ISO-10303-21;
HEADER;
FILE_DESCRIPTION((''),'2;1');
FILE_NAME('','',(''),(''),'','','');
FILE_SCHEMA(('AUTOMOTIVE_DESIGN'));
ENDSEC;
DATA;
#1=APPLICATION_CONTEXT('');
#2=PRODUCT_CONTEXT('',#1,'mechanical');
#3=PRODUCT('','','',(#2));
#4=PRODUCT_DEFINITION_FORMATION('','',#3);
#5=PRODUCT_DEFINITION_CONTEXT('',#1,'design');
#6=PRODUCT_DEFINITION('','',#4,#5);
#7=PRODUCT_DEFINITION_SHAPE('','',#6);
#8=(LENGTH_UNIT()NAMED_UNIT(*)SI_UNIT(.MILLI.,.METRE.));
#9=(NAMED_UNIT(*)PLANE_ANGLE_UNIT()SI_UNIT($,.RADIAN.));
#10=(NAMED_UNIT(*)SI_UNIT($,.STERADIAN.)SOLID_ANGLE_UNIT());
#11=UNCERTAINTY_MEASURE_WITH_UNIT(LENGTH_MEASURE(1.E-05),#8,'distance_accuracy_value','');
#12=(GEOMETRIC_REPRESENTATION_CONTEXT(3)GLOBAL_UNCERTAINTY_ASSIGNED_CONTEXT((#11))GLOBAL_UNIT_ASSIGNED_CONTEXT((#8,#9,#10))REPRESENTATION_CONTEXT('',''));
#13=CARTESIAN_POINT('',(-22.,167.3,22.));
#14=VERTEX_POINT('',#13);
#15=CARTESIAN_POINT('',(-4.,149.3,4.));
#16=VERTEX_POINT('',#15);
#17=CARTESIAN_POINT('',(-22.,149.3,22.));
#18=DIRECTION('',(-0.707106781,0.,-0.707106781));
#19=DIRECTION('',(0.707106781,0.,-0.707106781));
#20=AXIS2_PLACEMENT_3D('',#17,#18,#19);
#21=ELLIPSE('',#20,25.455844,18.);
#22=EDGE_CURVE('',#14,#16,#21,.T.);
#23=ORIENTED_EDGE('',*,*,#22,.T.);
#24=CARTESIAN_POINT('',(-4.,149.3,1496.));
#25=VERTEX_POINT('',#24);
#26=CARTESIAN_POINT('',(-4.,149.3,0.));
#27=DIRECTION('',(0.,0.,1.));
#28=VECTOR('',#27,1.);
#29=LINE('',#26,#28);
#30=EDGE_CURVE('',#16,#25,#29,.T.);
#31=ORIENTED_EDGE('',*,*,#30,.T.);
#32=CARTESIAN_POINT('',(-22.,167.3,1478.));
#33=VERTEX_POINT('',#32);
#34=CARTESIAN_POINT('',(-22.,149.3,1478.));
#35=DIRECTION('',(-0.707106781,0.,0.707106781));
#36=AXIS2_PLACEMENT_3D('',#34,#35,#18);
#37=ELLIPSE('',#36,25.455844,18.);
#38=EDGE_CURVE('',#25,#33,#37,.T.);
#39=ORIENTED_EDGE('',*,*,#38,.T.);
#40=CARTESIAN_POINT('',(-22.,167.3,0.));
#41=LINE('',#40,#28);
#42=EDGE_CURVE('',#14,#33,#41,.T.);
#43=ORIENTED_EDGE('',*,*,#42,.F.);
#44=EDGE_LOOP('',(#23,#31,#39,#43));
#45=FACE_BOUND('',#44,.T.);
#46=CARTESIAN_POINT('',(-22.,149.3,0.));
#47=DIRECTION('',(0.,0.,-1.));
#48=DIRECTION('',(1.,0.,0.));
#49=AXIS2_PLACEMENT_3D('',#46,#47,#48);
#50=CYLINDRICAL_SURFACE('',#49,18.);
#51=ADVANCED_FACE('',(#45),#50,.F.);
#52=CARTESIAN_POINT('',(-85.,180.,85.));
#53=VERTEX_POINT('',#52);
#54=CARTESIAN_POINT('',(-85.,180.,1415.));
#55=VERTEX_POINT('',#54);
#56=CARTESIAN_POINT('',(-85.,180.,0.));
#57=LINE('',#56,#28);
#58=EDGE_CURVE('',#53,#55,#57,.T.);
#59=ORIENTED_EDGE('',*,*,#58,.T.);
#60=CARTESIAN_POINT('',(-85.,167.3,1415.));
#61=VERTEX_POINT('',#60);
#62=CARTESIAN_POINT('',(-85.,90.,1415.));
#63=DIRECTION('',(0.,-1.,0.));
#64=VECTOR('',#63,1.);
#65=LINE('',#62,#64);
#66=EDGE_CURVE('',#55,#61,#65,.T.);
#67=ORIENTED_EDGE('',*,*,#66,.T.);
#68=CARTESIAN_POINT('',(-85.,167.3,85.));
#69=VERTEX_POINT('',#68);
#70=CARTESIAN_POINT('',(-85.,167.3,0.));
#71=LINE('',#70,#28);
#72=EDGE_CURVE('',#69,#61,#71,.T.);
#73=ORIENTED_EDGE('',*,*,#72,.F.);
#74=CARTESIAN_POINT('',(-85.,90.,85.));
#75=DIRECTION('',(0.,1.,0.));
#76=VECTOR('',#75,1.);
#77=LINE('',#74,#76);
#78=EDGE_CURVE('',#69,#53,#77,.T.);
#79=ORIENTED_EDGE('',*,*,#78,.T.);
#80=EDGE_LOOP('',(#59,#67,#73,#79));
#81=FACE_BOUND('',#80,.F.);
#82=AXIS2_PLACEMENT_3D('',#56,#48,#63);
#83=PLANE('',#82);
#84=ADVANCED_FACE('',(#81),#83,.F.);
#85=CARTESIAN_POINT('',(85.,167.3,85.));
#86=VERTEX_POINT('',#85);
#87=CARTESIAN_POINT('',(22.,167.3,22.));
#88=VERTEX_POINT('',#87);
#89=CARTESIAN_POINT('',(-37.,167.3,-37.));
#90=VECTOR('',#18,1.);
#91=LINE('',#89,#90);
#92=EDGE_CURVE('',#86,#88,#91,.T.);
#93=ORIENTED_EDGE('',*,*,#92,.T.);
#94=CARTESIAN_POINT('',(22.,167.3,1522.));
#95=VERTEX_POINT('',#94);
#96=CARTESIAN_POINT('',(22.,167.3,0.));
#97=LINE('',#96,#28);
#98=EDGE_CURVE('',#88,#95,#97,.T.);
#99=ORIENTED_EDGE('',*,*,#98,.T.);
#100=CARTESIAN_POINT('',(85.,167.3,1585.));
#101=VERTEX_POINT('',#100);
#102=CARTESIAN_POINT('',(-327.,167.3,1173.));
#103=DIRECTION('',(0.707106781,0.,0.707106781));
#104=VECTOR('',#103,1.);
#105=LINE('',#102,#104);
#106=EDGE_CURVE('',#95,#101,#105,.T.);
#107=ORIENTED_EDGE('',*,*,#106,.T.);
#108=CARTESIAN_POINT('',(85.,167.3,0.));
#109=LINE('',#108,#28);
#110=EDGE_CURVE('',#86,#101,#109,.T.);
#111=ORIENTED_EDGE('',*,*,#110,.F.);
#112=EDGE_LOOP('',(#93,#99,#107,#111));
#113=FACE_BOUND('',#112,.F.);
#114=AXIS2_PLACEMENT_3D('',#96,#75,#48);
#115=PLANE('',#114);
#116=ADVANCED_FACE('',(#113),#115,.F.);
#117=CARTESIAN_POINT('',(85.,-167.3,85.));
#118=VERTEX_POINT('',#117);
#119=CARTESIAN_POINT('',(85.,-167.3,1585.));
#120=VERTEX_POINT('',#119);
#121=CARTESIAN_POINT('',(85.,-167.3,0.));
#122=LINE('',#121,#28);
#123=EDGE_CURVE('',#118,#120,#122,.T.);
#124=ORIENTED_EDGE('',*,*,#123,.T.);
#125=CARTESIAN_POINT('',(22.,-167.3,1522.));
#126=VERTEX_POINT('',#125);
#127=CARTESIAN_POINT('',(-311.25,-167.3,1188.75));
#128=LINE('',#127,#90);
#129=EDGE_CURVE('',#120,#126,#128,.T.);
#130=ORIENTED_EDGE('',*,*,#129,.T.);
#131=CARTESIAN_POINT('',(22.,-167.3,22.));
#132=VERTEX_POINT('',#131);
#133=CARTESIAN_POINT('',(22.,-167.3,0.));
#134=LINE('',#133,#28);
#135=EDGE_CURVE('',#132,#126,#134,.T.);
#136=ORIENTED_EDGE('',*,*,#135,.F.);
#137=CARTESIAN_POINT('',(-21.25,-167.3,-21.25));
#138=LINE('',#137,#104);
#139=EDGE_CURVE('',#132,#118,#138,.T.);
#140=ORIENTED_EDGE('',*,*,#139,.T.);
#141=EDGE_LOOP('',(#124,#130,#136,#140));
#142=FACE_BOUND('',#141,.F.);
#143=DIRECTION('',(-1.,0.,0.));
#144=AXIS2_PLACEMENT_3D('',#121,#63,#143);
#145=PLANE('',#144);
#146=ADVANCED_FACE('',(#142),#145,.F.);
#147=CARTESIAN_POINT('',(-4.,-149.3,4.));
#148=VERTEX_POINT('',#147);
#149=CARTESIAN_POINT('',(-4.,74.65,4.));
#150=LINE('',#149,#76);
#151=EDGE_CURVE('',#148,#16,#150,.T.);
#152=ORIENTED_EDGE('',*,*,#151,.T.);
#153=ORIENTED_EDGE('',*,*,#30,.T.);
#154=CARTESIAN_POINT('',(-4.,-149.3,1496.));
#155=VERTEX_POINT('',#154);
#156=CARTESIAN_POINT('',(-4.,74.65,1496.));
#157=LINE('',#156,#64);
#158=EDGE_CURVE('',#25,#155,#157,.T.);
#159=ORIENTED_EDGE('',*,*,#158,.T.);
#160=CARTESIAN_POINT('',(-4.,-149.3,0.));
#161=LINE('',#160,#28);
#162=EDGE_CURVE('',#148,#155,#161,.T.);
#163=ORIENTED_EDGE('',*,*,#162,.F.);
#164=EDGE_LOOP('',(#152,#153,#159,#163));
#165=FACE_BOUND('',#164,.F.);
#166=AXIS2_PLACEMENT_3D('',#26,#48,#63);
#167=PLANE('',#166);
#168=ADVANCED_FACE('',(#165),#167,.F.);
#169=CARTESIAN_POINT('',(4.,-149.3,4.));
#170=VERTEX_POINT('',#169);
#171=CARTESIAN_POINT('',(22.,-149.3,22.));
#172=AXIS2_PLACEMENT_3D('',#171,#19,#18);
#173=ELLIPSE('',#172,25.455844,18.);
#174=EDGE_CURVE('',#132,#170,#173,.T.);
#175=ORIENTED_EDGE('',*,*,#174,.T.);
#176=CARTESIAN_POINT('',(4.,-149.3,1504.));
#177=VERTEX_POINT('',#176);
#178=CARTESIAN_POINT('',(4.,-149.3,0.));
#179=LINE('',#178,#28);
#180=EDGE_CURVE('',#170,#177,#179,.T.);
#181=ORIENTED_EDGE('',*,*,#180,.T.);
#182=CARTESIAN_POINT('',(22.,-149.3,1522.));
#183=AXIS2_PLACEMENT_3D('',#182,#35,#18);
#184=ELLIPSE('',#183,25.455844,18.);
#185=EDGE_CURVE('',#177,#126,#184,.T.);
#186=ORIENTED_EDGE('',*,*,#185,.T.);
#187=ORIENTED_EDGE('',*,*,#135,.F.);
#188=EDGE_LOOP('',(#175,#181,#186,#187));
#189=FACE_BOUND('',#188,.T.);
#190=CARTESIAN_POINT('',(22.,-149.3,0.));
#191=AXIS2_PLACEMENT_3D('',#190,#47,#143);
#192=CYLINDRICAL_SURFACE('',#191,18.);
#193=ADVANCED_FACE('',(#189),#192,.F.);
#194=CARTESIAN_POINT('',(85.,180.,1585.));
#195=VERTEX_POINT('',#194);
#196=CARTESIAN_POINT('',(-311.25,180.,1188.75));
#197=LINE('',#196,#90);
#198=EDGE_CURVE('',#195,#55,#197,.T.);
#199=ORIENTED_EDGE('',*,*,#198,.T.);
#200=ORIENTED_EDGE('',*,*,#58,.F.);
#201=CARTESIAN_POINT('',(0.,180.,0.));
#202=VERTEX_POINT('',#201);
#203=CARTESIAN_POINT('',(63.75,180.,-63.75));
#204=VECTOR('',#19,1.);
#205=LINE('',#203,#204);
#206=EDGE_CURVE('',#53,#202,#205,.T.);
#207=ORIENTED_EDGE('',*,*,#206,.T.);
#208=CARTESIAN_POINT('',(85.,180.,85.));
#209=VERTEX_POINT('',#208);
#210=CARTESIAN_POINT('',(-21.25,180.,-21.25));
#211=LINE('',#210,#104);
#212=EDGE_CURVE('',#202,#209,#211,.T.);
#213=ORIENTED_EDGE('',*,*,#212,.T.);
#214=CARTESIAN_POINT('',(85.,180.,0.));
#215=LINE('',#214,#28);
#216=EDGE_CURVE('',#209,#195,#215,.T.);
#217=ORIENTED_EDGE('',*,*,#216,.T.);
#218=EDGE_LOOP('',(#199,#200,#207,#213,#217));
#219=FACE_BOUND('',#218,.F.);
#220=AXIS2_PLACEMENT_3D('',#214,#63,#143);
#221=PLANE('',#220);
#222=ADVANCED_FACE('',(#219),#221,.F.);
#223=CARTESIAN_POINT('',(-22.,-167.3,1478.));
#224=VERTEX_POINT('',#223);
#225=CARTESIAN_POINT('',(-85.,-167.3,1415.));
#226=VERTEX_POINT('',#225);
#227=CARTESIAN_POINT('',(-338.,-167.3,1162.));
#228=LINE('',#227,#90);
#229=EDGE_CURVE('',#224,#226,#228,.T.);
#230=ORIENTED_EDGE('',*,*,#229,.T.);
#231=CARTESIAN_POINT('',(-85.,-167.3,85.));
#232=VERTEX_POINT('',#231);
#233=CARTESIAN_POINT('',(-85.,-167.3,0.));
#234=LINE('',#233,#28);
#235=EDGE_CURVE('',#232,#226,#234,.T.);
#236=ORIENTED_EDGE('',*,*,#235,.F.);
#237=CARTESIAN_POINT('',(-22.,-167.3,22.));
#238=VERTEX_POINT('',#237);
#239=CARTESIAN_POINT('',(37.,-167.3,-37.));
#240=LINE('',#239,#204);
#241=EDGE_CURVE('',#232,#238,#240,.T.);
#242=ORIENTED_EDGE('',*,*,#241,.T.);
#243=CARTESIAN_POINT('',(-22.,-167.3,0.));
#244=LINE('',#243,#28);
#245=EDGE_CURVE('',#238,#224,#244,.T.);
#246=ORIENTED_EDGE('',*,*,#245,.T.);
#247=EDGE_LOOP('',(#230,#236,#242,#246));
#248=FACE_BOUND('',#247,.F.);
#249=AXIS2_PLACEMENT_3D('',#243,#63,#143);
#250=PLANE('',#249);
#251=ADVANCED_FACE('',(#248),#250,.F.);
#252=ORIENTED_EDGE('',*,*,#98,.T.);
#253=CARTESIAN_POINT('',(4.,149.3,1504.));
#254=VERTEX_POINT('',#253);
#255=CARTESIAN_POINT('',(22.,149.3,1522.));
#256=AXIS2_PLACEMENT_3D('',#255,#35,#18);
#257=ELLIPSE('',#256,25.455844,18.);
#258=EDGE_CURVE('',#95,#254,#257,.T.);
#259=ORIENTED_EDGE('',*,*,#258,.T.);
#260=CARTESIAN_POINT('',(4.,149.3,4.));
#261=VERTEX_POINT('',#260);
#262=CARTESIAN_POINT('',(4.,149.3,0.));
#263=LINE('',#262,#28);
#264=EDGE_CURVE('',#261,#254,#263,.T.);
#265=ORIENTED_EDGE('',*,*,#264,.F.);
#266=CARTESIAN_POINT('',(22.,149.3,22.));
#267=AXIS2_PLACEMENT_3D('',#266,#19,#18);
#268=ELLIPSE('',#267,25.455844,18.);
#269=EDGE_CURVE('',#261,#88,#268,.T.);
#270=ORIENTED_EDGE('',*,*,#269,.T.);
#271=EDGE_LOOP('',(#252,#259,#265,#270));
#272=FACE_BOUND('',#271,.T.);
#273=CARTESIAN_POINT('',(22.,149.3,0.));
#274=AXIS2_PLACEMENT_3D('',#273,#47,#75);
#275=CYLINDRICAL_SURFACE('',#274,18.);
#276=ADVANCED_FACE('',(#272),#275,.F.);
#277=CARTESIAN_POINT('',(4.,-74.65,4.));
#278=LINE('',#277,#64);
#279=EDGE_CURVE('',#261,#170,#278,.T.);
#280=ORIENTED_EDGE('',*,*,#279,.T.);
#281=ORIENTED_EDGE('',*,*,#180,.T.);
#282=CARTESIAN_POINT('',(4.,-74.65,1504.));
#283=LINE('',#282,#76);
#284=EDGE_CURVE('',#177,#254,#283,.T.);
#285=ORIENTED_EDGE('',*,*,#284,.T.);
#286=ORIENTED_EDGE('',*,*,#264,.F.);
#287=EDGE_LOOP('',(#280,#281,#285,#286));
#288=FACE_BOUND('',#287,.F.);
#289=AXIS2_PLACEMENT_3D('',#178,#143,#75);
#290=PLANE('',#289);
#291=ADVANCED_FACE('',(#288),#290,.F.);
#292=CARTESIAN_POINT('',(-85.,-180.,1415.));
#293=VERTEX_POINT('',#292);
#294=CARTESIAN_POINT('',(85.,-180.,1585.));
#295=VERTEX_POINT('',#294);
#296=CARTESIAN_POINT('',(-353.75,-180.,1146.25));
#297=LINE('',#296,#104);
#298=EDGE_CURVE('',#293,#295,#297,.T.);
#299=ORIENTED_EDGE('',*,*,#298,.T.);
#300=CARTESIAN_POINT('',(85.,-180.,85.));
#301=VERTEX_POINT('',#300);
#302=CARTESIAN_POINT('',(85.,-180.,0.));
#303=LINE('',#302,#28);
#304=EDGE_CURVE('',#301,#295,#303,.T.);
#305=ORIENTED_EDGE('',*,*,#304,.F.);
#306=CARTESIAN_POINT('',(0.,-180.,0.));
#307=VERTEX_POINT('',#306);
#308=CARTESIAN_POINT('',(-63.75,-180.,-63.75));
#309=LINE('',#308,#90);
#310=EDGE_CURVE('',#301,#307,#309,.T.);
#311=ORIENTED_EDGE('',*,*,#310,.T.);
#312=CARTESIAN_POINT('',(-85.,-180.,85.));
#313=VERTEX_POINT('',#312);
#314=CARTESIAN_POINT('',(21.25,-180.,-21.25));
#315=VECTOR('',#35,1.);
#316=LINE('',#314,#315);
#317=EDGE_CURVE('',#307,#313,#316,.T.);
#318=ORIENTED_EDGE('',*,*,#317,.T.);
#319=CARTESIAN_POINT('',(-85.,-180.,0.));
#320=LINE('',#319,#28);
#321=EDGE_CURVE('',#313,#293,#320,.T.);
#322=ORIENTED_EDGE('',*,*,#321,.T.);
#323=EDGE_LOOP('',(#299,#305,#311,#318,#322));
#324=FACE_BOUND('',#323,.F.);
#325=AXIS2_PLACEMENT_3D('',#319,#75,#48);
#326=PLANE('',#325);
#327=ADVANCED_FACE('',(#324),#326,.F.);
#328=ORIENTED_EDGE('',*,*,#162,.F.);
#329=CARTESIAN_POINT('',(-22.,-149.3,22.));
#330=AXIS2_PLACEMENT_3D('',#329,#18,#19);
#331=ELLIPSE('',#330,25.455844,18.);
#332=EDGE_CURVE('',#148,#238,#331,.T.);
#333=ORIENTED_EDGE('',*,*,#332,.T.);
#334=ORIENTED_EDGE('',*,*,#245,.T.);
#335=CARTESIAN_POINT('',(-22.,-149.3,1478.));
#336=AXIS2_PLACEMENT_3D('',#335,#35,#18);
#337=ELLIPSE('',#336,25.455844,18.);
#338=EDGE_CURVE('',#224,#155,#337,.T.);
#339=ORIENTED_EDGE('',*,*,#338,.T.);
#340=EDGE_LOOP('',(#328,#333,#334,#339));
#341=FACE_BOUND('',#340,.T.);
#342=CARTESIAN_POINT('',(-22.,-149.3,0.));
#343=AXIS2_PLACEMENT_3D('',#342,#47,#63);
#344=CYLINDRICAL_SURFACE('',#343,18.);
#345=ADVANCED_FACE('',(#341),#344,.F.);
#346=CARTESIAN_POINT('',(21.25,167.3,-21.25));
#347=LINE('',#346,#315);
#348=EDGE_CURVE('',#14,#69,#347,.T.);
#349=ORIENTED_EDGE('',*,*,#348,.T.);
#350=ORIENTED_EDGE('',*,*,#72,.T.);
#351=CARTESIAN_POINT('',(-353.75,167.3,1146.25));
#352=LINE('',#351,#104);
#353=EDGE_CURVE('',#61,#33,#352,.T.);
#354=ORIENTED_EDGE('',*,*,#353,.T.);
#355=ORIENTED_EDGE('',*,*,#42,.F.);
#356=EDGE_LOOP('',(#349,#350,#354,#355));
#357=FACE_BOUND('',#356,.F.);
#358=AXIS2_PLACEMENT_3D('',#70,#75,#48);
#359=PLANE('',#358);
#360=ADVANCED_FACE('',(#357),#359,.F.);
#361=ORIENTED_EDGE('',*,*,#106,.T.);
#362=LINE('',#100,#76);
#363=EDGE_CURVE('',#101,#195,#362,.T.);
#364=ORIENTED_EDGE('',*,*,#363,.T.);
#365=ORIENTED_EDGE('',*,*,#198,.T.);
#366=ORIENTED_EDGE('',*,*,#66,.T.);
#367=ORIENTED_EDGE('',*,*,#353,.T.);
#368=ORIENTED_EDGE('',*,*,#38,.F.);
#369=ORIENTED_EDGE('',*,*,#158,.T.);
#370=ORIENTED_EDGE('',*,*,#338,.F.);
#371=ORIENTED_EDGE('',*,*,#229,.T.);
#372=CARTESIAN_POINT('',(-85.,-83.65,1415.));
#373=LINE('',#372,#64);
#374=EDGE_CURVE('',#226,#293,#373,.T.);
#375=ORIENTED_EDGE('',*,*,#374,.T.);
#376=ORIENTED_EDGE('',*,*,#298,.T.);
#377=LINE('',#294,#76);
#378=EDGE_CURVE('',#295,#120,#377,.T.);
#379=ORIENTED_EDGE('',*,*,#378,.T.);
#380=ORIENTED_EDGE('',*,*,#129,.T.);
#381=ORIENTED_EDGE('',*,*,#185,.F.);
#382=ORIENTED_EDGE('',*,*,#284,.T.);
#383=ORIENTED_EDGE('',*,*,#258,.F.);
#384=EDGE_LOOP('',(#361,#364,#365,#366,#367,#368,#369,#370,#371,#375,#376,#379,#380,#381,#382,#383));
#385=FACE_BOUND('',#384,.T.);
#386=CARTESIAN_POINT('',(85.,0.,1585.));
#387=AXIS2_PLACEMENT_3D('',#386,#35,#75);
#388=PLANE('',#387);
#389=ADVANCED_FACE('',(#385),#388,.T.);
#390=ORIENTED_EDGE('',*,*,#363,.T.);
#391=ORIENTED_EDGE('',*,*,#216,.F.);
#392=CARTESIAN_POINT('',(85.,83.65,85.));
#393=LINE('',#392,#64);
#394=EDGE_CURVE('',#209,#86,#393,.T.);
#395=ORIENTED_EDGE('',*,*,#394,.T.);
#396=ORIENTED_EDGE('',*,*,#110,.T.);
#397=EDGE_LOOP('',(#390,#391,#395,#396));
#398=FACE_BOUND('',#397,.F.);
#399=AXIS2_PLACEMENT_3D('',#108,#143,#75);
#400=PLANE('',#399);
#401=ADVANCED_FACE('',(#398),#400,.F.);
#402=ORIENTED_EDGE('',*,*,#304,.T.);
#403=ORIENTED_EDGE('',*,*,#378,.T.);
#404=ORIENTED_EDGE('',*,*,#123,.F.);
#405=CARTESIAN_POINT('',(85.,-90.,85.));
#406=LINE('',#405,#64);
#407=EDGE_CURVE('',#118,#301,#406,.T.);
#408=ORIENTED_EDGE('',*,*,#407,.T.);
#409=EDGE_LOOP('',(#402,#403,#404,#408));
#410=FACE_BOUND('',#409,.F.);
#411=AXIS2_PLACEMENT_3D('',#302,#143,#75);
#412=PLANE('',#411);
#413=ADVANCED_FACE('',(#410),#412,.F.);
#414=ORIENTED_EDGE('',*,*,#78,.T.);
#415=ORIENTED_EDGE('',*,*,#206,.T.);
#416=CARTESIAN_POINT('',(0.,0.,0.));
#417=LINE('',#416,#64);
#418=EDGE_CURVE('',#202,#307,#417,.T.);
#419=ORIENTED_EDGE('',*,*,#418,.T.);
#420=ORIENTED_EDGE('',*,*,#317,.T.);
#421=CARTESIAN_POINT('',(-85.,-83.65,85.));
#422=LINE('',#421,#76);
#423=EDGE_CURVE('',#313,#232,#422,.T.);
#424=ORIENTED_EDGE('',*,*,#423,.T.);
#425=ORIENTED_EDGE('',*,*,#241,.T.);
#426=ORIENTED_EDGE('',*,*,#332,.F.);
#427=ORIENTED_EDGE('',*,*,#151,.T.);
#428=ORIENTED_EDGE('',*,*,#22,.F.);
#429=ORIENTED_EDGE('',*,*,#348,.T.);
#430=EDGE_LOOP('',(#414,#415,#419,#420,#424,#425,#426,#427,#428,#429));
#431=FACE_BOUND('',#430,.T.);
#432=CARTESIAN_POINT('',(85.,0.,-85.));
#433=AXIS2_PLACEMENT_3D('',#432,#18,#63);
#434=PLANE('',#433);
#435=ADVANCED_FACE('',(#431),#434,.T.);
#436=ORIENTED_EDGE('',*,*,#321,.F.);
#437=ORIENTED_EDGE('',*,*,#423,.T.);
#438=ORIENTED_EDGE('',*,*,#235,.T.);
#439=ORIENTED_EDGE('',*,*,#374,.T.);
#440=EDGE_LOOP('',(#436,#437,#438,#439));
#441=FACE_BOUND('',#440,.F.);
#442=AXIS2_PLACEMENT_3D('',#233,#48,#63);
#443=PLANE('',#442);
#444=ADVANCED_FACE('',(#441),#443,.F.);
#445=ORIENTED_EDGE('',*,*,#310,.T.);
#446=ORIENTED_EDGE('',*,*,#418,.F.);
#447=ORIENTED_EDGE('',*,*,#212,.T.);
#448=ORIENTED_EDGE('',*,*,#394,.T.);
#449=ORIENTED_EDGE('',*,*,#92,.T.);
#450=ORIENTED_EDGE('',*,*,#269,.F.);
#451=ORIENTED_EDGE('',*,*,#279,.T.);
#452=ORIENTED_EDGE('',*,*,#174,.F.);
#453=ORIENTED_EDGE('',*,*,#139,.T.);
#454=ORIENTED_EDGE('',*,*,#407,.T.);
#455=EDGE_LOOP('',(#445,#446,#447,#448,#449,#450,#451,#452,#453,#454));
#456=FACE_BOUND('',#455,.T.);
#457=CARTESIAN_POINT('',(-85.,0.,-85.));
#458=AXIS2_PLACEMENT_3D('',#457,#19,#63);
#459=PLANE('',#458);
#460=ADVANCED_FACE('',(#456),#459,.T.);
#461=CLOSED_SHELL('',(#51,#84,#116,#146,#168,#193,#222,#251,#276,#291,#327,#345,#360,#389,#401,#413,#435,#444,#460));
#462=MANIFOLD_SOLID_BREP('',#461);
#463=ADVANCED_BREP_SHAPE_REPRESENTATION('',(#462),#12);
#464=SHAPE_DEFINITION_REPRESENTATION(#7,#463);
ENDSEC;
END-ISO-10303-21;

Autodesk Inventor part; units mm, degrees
ref_plane "Start Plane" through (0, 0, 0) normal (0, 0, 1) x (1, 0, 0)
ref_plane "End Plane" through (0, 0, 1585) normal (0, 0, 1) x (1, 0, 0)
sketch "Sketch" plane through (0, 0, 0) normal (0, 0, 1) x (1, 0, 0)
  line L0 (-85, 167.3) -> (-22, 167.3)
  line L1 (-85, 180) -> (-85, 167.3)
  line L2 (85, 180) -> (-85, 180)
  line L3 (85, 167.3) -> (85, 180)
  line L4 (22, 167.3) -> (85, 167.3)
  line L5 (4, -149.3) -> (4, 149.3)
  line L6 (85, -167.3) -> (22, -167.3)
  line L7 (85, -180) -> (85, -167.3)
  line L8 (-85, -167.3) -> (-85, -180)
  line L9 (-22, -167.3) -> (-85, -167.3)
  line L10 (-4, 149.3) -> (-4, -149.3)
  line L11 (0, -252) -> (0, 252) construction
  line L12 (-4, -167.3) -> (4, -167.3) construction
  arc A0 (-22, -167.3) -> (-4, -149.3) centre (-22, -149.3) ccw
  arc A1 (-4, 149.3) -> (-22, 167.3) centre (-22, 149.3) ccw
  arc A2 (22, 167.3) -> (4, 149.3) centre (22, 149.3) ccw
  arc A3 (4, -149.3) -> (22, -167.3) centre (22, -149.3) ccw
  line L13 (-119, 0) -> (119, 0) construction
  line L14 (-85, -180) -> (85, -180)
  point P0 (-4, 167.3)
  point P1 (4, 167.3)
  point P2 (0, 0)
  point P3 (0, -167.3)
  point P4 (0, 0)
  dimension "d1" = 360
  dimension "d3" = 12.7
  dimension "d5" = 8
  dimension "d7" = 170
  dimension "d13" = 18
  dimension "d14" = 180
  dimension "d15" = 85
extrude "Body" add sketch "Sketch" along normal up to surface (1585 mm away) from surface at 0
sketch "Sketch3" plane through (0, 0, 0) normal (0, 0, 1) x (1, 0, 0)
  line L0 (0, 0) -> (10, 0)
ref_plane "Work Plane3" through (0, 0, 0) normal (0, -1, 0) x (1, 0, 0)
ref_plane "Work Plane4" through (85, 0, -85) normal (-0.7071, 0, -0.7071) x (-0.7071, 0, 0.7071)
split "Split1" plane through (85, 0, -85) removes the side toward (-0.7071, 0, -0.7071)
ref_plane "Work Plane5" through (85, 0, 1585) normal (-0.7071, 0, 0.7071) x (0.7071, 0, 0.7071)
split "Split2" plane through (85, 0, 1585) removes the side toward (-0.7071, 0, 0.7071)
ref_plane "Work Plane6" through (-85, 0, -85) normal (0.7071, 0, -0.7071) x (-0.7071, 0, -0.7071)
split "Split3" plane through (-85, 0, -85) removes the side toward (0.7071, 0, -0.7071)
sketch "Sketch4" plane through (0, 0, 0) normal (0, -1, 0) x (1, 0, 0)
  line L0 (-2, 0) -> (12, 0) projected
  line L1 (-2, 1585) -> (12, 1585) projected
  dimension "d19" = 1585
equation "\"d1\" = ParH"
equation "\"d3\" = t2"
equation "\"d5\" = t1"
equation "\"d7\" = b"
equation "\"d13\" = R1"
equation "\"d14\" = 0.5 * d1"
equation "\"d15\" = 0.5 * d7"
equation "\"d8\" = G_L"
equation "\"b\" = 170"
equation "\"ParH\" = 360"
equation "\"R1\" = 18"
equation "\"G_L\" = d19"
equation "\"t1\" = 8"
equation "\"t2\" = 12.7"
equation "\"G_OFFSET_START\" = 0"
equation "\"G_OFFSET_END\" = 85"
equation "\"d17\" = G_OFFSET_END + B_L"
equation "\"B_L\" = 1500"
properties part number "DIN 1025 - IPE 360-1585" material "Steel, Mild"
